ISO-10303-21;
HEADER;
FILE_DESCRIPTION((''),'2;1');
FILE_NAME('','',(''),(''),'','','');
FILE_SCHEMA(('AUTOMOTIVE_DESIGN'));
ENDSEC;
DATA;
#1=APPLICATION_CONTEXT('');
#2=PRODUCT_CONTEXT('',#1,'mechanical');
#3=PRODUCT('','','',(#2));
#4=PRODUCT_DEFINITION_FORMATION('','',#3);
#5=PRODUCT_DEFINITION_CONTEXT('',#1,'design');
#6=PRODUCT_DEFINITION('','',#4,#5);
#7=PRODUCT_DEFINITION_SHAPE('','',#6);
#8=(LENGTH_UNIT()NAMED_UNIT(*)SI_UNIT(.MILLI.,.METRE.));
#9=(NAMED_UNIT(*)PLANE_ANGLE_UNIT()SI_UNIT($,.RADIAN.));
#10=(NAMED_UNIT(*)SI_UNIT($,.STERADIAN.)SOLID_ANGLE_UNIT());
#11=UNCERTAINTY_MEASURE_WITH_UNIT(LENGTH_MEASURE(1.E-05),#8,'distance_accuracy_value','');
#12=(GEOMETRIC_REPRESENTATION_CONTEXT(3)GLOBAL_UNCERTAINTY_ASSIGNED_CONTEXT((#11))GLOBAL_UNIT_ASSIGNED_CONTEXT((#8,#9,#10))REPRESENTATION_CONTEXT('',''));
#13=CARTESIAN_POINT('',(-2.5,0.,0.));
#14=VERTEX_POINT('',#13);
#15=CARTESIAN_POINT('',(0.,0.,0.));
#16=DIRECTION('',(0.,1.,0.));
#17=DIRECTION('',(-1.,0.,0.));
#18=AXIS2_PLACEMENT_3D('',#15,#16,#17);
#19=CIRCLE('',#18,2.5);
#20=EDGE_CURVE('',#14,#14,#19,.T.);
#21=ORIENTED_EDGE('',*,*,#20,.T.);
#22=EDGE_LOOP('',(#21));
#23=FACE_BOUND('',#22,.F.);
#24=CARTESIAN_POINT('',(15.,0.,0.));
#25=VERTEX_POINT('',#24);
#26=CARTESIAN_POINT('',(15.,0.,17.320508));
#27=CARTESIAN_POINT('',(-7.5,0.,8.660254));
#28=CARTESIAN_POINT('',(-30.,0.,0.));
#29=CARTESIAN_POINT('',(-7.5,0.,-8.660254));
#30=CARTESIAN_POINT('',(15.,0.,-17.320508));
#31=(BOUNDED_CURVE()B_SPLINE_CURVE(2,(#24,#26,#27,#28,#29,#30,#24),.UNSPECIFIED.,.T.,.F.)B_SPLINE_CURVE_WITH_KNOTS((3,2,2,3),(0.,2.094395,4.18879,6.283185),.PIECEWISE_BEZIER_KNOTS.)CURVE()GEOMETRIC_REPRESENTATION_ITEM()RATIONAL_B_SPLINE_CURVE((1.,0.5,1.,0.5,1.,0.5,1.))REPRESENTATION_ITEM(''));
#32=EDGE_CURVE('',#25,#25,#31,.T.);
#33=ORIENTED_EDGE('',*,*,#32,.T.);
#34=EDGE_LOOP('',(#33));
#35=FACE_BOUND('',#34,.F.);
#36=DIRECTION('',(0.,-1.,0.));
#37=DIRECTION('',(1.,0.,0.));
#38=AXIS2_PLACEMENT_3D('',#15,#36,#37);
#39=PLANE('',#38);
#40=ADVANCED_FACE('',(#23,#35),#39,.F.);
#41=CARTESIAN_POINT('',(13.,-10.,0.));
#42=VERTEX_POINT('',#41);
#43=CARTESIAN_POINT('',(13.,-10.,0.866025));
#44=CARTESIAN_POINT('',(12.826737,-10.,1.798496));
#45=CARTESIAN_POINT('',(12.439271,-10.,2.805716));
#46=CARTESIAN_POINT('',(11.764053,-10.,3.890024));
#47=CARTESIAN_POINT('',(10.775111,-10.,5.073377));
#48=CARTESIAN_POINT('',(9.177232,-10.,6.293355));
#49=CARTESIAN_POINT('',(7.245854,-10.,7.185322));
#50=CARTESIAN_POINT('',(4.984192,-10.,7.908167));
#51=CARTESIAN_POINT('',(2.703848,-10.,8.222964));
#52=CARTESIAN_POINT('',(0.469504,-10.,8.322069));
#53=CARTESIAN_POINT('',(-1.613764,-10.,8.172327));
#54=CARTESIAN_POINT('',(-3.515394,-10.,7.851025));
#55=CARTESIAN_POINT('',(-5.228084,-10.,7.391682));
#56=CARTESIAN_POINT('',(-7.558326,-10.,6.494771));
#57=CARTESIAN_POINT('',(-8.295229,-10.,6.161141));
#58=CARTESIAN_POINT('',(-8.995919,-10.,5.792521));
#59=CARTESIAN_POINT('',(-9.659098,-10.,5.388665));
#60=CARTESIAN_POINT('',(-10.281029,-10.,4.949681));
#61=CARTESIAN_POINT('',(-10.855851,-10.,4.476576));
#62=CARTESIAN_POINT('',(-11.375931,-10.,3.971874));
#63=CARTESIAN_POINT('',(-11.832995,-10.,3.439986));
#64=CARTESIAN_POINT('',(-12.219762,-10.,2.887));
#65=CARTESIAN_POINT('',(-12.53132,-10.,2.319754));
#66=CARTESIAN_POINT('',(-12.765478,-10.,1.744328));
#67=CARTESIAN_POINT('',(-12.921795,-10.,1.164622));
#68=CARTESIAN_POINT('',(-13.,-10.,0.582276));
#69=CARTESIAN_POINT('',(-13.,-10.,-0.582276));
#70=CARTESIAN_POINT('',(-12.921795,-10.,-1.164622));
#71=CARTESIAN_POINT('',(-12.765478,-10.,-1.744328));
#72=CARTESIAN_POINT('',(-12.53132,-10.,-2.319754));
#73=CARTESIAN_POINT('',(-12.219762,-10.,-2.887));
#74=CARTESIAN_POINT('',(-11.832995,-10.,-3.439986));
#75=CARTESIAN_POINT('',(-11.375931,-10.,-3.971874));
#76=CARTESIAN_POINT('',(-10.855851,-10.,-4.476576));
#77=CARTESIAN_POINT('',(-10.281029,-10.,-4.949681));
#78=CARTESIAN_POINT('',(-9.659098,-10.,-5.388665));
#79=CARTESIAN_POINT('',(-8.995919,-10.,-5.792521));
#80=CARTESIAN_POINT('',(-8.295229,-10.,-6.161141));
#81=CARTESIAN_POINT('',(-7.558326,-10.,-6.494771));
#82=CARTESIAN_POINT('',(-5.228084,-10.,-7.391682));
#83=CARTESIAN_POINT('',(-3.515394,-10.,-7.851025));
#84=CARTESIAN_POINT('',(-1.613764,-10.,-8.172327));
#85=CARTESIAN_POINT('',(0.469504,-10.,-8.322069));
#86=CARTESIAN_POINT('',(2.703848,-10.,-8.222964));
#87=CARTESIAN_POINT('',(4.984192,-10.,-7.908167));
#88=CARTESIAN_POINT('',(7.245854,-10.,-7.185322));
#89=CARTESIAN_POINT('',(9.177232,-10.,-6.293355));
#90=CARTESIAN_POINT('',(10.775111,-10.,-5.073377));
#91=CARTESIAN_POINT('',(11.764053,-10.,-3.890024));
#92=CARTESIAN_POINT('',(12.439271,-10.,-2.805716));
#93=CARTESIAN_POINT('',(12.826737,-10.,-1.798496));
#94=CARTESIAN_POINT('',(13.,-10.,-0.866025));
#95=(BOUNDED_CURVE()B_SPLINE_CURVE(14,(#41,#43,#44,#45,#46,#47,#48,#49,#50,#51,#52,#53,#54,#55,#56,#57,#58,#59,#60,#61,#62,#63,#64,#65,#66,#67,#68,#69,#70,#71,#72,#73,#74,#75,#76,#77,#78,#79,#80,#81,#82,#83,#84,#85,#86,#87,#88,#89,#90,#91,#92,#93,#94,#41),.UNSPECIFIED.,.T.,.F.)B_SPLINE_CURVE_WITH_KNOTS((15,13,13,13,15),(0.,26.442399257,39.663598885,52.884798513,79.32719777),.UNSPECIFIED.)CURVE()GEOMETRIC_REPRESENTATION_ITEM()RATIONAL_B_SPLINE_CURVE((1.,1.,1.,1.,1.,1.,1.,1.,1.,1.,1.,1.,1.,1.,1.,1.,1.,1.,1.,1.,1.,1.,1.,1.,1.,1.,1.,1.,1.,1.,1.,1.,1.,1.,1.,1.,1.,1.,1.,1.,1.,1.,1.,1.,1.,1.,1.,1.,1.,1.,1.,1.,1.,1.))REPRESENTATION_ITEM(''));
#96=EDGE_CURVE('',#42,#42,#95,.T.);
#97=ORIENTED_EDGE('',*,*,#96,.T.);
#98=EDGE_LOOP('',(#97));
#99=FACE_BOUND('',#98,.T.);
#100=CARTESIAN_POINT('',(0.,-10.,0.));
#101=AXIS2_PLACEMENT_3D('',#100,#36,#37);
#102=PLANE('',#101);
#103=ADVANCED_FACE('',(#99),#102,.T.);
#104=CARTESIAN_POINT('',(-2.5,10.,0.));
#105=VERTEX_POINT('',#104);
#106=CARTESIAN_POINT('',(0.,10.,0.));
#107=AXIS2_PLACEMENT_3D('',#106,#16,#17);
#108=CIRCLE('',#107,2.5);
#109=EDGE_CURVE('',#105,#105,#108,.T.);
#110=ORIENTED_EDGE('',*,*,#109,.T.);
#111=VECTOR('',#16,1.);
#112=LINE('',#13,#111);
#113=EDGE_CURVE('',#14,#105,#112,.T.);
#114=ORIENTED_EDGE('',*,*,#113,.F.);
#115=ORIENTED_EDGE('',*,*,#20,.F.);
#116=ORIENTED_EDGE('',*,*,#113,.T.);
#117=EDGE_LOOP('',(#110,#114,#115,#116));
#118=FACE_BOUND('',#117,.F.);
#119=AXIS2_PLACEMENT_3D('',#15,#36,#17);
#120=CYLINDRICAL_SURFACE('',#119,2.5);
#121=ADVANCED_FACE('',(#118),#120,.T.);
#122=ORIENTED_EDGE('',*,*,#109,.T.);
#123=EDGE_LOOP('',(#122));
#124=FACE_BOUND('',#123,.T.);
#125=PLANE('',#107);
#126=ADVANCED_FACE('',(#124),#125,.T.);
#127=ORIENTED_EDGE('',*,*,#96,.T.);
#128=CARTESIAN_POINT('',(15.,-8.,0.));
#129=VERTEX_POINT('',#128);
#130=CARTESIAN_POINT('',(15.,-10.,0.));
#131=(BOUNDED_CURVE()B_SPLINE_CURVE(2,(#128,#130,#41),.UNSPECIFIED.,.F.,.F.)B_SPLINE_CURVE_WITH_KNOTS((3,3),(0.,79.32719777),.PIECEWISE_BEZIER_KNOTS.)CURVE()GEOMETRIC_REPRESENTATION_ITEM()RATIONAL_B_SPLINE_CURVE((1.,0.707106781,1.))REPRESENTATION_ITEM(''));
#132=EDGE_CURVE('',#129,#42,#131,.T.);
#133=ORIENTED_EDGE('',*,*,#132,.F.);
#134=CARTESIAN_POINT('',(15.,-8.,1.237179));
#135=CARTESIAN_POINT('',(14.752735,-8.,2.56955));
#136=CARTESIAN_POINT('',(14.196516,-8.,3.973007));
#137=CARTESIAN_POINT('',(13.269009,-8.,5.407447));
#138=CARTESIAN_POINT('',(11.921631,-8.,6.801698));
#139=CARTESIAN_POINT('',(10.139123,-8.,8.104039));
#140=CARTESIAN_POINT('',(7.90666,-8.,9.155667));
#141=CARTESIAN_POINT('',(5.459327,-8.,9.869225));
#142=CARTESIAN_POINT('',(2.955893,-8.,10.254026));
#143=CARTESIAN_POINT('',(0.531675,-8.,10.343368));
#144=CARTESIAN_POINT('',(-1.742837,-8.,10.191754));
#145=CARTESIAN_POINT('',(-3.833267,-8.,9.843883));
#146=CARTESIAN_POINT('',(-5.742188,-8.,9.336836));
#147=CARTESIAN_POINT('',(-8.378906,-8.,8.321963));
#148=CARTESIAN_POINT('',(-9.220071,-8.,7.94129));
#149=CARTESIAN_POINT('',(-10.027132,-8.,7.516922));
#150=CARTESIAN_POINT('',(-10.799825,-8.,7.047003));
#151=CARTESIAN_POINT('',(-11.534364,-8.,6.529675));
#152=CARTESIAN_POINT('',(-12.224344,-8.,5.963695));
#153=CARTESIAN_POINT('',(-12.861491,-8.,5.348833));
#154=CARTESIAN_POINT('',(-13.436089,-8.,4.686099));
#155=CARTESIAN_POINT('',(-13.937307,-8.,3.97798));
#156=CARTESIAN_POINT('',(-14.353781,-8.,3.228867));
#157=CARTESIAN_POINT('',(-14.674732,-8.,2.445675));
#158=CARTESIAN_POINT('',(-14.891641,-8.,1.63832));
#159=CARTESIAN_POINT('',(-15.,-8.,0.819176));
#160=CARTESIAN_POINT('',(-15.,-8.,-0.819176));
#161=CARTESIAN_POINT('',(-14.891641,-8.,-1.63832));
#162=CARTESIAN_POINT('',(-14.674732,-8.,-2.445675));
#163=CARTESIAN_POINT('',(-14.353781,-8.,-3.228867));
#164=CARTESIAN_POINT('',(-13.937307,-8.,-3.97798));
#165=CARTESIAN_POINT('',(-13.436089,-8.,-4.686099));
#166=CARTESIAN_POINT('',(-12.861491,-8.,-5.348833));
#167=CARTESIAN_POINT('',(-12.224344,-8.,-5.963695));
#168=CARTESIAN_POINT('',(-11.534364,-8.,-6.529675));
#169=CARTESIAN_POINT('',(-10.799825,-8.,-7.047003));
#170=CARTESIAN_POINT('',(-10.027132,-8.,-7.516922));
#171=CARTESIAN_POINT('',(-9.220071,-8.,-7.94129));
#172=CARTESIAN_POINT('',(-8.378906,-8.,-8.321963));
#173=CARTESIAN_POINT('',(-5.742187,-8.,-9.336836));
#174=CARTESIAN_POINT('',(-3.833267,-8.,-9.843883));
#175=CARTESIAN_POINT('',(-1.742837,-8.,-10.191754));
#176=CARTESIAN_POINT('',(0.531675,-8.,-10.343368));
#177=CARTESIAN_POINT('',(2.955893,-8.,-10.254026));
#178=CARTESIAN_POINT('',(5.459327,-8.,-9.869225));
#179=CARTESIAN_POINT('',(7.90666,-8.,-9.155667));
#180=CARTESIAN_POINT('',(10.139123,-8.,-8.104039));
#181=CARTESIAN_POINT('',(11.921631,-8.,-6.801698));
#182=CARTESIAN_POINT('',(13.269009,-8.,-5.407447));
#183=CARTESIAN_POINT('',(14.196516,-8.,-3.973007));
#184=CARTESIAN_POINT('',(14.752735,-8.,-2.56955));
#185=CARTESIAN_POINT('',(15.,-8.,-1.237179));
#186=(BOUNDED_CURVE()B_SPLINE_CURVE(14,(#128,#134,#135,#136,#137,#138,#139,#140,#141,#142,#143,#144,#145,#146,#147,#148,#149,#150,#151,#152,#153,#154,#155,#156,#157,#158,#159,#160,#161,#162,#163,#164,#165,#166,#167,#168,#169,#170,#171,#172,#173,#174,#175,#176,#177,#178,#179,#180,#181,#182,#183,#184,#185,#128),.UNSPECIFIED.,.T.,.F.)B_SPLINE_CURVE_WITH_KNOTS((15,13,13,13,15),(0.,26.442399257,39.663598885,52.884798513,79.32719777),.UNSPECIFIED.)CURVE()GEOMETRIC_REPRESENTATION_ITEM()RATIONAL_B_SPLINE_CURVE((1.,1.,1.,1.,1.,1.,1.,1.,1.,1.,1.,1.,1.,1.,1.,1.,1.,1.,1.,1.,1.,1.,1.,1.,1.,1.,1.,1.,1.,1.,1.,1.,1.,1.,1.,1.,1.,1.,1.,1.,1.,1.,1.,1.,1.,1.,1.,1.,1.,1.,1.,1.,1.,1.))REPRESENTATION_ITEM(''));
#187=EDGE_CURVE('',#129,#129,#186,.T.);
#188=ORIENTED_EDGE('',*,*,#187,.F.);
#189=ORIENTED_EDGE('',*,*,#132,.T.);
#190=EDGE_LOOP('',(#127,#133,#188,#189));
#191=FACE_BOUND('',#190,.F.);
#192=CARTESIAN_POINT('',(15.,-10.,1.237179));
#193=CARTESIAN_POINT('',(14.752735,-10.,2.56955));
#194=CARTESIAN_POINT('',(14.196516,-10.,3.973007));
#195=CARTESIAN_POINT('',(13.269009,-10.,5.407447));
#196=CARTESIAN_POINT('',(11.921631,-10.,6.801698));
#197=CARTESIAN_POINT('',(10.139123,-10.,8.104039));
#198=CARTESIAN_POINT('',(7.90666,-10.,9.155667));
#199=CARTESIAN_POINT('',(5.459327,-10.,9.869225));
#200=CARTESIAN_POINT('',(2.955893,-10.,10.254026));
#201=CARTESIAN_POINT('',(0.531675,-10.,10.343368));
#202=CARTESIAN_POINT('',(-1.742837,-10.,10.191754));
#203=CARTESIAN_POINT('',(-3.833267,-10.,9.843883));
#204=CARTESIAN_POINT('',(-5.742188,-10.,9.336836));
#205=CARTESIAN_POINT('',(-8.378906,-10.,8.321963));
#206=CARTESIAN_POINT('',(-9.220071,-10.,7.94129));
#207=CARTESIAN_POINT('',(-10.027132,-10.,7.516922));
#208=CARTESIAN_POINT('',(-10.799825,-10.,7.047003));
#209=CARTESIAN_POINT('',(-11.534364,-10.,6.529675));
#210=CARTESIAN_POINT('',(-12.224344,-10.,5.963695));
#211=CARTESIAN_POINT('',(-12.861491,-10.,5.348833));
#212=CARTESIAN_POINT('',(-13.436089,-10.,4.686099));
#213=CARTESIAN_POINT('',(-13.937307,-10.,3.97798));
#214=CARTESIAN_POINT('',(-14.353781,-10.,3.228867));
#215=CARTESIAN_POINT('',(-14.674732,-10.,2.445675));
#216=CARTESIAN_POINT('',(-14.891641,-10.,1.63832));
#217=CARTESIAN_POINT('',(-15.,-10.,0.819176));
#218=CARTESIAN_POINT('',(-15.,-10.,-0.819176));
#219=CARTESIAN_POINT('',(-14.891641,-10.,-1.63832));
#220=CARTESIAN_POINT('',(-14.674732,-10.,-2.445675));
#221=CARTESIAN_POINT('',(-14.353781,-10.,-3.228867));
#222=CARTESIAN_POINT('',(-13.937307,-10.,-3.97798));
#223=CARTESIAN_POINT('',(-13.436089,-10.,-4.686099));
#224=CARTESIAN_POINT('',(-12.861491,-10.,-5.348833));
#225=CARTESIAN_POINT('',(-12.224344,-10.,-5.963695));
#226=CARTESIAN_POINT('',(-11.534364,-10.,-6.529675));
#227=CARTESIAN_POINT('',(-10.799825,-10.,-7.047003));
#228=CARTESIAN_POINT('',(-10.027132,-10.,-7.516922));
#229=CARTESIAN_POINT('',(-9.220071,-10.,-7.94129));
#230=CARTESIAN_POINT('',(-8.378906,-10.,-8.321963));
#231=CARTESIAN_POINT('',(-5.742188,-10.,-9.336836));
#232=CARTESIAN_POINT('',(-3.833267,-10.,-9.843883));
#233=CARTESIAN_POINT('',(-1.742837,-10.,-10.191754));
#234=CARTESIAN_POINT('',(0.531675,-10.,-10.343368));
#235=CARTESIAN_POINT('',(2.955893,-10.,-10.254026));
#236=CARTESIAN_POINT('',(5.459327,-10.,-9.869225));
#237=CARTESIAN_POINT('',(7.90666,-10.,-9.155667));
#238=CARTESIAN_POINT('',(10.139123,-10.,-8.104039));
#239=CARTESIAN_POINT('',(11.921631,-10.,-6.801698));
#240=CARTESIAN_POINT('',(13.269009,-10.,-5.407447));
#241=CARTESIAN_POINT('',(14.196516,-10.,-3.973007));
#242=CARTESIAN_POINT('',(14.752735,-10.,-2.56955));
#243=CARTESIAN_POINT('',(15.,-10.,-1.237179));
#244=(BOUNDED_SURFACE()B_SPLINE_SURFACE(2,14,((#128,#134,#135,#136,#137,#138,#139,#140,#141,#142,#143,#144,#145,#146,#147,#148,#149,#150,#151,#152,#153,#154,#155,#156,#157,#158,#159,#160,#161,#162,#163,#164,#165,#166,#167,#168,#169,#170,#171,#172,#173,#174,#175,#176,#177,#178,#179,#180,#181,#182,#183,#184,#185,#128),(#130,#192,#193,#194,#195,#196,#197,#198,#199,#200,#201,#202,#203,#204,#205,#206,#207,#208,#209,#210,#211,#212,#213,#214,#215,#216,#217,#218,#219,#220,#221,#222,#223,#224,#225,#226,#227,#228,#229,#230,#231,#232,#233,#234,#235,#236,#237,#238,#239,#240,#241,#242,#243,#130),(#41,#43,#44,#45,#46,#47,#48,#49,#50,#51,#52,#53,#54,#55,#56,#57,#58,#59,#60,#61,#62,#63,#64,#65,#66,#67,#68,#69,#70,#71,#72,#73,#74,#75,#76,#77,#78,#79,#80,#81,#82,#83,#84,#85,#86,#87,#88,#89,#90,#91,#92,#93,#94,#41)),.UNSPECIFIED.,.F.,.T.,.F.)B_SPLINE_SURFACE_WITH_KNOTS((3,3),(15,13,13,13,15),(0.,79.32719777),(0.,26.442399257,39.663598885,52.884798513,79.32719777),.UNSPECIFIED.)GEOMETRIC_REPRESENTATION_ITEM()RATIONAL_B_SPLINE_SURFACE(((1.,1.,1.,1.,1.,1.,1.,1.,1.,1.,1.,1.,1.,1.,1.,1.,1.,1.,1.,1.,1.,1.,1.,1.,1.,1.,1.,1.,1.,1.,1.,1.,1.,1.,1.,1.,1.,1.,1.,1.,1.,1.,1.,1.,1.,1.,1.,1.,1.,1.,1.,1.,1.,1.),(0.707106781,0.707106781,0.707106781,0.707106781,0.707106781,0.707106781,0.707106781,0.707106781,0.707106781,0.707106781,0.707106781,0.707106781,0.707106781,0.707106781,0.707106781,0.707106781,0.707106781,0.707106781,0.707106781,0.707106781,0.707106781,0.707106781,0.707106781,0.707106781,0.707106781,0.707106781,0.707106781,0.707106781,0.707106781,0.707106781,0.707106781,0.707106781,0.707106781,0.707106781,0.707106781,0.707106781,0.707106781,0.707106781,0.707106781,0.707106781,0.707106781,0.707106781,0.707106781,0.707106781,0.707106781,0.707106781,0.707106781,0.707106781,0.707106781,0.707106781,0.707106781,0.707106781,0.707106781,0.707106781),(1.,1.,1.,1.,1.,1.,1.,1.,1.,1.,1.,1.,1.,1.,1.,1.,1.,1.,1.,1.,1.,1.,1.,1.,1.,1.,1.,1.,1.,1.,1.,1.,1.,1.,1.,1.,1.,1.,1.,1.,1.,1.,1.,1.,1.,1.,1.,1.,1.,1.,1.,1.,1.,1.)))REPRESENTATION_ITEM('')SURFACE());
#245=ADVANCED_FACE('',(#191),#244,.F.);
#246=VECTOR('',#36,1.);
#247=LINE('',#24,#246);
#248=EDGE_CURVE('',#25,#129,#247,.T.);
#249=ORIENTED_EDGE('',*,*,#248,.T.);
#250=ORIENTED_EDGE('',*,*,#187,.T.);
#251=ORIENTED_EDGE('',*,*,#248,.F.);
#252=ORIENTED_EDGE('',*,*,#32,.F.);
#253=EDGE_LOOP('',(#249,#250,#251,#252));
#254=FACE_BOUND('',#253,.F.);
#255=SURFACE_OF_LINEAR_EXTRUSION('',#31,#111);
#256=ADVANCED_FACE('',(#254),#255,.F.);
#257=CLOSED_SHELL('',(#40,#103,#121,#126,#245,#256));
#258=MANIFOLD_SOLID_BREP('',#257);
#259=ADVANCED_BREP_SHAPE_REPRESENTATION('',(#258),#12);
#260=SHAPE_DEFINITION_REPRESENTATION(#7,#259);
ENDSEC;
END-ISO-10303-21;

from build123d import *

# Parameters (mm, degrees)
F1_DEPTH = 10
F2_R     = 2
F3_R     = 2.5
F4_DEPTH = 10


with BuildPart() as f1:
    # F0 (on Front) → F1 (new body)
    with BuildSketch(Plane.XZ):
        with BuildLine():
            add(Edge.make_bspline(
                [(15, 0), (15, 17.320508), (-7.5, 8.660254), (-30, 0), (-7.5, -8.660254), (15, -17.320508), (15, 0)],
                knots=[0, 0, 0, 2.094395, 2.094395, 4.18879, 4.18879, 6.283185, 6.283185, 6.283185], degree=2, weights=[1, 0.5, 1, 0.5, 1, 0.5, 1]))
        make_face()
    extrude(amount=F1_DEPTH)

    # F2
    f2_edges = [f1.edges().sort_by_distance(p)[0] for p in [
        (-15, -10, 0),
    ]]
    fillet(f2_edges, radius=F2_R)

    # F3 (on face) → F4 (join)
    with BuildSketch(Plane(origin=(0, 0, 0), x_dir=(-1, 0, 0), z_dir=(0, 1, 0))):
        Circle(F3_R)
    extrude(amount=F4_DEPTH)


solid = f1.part
